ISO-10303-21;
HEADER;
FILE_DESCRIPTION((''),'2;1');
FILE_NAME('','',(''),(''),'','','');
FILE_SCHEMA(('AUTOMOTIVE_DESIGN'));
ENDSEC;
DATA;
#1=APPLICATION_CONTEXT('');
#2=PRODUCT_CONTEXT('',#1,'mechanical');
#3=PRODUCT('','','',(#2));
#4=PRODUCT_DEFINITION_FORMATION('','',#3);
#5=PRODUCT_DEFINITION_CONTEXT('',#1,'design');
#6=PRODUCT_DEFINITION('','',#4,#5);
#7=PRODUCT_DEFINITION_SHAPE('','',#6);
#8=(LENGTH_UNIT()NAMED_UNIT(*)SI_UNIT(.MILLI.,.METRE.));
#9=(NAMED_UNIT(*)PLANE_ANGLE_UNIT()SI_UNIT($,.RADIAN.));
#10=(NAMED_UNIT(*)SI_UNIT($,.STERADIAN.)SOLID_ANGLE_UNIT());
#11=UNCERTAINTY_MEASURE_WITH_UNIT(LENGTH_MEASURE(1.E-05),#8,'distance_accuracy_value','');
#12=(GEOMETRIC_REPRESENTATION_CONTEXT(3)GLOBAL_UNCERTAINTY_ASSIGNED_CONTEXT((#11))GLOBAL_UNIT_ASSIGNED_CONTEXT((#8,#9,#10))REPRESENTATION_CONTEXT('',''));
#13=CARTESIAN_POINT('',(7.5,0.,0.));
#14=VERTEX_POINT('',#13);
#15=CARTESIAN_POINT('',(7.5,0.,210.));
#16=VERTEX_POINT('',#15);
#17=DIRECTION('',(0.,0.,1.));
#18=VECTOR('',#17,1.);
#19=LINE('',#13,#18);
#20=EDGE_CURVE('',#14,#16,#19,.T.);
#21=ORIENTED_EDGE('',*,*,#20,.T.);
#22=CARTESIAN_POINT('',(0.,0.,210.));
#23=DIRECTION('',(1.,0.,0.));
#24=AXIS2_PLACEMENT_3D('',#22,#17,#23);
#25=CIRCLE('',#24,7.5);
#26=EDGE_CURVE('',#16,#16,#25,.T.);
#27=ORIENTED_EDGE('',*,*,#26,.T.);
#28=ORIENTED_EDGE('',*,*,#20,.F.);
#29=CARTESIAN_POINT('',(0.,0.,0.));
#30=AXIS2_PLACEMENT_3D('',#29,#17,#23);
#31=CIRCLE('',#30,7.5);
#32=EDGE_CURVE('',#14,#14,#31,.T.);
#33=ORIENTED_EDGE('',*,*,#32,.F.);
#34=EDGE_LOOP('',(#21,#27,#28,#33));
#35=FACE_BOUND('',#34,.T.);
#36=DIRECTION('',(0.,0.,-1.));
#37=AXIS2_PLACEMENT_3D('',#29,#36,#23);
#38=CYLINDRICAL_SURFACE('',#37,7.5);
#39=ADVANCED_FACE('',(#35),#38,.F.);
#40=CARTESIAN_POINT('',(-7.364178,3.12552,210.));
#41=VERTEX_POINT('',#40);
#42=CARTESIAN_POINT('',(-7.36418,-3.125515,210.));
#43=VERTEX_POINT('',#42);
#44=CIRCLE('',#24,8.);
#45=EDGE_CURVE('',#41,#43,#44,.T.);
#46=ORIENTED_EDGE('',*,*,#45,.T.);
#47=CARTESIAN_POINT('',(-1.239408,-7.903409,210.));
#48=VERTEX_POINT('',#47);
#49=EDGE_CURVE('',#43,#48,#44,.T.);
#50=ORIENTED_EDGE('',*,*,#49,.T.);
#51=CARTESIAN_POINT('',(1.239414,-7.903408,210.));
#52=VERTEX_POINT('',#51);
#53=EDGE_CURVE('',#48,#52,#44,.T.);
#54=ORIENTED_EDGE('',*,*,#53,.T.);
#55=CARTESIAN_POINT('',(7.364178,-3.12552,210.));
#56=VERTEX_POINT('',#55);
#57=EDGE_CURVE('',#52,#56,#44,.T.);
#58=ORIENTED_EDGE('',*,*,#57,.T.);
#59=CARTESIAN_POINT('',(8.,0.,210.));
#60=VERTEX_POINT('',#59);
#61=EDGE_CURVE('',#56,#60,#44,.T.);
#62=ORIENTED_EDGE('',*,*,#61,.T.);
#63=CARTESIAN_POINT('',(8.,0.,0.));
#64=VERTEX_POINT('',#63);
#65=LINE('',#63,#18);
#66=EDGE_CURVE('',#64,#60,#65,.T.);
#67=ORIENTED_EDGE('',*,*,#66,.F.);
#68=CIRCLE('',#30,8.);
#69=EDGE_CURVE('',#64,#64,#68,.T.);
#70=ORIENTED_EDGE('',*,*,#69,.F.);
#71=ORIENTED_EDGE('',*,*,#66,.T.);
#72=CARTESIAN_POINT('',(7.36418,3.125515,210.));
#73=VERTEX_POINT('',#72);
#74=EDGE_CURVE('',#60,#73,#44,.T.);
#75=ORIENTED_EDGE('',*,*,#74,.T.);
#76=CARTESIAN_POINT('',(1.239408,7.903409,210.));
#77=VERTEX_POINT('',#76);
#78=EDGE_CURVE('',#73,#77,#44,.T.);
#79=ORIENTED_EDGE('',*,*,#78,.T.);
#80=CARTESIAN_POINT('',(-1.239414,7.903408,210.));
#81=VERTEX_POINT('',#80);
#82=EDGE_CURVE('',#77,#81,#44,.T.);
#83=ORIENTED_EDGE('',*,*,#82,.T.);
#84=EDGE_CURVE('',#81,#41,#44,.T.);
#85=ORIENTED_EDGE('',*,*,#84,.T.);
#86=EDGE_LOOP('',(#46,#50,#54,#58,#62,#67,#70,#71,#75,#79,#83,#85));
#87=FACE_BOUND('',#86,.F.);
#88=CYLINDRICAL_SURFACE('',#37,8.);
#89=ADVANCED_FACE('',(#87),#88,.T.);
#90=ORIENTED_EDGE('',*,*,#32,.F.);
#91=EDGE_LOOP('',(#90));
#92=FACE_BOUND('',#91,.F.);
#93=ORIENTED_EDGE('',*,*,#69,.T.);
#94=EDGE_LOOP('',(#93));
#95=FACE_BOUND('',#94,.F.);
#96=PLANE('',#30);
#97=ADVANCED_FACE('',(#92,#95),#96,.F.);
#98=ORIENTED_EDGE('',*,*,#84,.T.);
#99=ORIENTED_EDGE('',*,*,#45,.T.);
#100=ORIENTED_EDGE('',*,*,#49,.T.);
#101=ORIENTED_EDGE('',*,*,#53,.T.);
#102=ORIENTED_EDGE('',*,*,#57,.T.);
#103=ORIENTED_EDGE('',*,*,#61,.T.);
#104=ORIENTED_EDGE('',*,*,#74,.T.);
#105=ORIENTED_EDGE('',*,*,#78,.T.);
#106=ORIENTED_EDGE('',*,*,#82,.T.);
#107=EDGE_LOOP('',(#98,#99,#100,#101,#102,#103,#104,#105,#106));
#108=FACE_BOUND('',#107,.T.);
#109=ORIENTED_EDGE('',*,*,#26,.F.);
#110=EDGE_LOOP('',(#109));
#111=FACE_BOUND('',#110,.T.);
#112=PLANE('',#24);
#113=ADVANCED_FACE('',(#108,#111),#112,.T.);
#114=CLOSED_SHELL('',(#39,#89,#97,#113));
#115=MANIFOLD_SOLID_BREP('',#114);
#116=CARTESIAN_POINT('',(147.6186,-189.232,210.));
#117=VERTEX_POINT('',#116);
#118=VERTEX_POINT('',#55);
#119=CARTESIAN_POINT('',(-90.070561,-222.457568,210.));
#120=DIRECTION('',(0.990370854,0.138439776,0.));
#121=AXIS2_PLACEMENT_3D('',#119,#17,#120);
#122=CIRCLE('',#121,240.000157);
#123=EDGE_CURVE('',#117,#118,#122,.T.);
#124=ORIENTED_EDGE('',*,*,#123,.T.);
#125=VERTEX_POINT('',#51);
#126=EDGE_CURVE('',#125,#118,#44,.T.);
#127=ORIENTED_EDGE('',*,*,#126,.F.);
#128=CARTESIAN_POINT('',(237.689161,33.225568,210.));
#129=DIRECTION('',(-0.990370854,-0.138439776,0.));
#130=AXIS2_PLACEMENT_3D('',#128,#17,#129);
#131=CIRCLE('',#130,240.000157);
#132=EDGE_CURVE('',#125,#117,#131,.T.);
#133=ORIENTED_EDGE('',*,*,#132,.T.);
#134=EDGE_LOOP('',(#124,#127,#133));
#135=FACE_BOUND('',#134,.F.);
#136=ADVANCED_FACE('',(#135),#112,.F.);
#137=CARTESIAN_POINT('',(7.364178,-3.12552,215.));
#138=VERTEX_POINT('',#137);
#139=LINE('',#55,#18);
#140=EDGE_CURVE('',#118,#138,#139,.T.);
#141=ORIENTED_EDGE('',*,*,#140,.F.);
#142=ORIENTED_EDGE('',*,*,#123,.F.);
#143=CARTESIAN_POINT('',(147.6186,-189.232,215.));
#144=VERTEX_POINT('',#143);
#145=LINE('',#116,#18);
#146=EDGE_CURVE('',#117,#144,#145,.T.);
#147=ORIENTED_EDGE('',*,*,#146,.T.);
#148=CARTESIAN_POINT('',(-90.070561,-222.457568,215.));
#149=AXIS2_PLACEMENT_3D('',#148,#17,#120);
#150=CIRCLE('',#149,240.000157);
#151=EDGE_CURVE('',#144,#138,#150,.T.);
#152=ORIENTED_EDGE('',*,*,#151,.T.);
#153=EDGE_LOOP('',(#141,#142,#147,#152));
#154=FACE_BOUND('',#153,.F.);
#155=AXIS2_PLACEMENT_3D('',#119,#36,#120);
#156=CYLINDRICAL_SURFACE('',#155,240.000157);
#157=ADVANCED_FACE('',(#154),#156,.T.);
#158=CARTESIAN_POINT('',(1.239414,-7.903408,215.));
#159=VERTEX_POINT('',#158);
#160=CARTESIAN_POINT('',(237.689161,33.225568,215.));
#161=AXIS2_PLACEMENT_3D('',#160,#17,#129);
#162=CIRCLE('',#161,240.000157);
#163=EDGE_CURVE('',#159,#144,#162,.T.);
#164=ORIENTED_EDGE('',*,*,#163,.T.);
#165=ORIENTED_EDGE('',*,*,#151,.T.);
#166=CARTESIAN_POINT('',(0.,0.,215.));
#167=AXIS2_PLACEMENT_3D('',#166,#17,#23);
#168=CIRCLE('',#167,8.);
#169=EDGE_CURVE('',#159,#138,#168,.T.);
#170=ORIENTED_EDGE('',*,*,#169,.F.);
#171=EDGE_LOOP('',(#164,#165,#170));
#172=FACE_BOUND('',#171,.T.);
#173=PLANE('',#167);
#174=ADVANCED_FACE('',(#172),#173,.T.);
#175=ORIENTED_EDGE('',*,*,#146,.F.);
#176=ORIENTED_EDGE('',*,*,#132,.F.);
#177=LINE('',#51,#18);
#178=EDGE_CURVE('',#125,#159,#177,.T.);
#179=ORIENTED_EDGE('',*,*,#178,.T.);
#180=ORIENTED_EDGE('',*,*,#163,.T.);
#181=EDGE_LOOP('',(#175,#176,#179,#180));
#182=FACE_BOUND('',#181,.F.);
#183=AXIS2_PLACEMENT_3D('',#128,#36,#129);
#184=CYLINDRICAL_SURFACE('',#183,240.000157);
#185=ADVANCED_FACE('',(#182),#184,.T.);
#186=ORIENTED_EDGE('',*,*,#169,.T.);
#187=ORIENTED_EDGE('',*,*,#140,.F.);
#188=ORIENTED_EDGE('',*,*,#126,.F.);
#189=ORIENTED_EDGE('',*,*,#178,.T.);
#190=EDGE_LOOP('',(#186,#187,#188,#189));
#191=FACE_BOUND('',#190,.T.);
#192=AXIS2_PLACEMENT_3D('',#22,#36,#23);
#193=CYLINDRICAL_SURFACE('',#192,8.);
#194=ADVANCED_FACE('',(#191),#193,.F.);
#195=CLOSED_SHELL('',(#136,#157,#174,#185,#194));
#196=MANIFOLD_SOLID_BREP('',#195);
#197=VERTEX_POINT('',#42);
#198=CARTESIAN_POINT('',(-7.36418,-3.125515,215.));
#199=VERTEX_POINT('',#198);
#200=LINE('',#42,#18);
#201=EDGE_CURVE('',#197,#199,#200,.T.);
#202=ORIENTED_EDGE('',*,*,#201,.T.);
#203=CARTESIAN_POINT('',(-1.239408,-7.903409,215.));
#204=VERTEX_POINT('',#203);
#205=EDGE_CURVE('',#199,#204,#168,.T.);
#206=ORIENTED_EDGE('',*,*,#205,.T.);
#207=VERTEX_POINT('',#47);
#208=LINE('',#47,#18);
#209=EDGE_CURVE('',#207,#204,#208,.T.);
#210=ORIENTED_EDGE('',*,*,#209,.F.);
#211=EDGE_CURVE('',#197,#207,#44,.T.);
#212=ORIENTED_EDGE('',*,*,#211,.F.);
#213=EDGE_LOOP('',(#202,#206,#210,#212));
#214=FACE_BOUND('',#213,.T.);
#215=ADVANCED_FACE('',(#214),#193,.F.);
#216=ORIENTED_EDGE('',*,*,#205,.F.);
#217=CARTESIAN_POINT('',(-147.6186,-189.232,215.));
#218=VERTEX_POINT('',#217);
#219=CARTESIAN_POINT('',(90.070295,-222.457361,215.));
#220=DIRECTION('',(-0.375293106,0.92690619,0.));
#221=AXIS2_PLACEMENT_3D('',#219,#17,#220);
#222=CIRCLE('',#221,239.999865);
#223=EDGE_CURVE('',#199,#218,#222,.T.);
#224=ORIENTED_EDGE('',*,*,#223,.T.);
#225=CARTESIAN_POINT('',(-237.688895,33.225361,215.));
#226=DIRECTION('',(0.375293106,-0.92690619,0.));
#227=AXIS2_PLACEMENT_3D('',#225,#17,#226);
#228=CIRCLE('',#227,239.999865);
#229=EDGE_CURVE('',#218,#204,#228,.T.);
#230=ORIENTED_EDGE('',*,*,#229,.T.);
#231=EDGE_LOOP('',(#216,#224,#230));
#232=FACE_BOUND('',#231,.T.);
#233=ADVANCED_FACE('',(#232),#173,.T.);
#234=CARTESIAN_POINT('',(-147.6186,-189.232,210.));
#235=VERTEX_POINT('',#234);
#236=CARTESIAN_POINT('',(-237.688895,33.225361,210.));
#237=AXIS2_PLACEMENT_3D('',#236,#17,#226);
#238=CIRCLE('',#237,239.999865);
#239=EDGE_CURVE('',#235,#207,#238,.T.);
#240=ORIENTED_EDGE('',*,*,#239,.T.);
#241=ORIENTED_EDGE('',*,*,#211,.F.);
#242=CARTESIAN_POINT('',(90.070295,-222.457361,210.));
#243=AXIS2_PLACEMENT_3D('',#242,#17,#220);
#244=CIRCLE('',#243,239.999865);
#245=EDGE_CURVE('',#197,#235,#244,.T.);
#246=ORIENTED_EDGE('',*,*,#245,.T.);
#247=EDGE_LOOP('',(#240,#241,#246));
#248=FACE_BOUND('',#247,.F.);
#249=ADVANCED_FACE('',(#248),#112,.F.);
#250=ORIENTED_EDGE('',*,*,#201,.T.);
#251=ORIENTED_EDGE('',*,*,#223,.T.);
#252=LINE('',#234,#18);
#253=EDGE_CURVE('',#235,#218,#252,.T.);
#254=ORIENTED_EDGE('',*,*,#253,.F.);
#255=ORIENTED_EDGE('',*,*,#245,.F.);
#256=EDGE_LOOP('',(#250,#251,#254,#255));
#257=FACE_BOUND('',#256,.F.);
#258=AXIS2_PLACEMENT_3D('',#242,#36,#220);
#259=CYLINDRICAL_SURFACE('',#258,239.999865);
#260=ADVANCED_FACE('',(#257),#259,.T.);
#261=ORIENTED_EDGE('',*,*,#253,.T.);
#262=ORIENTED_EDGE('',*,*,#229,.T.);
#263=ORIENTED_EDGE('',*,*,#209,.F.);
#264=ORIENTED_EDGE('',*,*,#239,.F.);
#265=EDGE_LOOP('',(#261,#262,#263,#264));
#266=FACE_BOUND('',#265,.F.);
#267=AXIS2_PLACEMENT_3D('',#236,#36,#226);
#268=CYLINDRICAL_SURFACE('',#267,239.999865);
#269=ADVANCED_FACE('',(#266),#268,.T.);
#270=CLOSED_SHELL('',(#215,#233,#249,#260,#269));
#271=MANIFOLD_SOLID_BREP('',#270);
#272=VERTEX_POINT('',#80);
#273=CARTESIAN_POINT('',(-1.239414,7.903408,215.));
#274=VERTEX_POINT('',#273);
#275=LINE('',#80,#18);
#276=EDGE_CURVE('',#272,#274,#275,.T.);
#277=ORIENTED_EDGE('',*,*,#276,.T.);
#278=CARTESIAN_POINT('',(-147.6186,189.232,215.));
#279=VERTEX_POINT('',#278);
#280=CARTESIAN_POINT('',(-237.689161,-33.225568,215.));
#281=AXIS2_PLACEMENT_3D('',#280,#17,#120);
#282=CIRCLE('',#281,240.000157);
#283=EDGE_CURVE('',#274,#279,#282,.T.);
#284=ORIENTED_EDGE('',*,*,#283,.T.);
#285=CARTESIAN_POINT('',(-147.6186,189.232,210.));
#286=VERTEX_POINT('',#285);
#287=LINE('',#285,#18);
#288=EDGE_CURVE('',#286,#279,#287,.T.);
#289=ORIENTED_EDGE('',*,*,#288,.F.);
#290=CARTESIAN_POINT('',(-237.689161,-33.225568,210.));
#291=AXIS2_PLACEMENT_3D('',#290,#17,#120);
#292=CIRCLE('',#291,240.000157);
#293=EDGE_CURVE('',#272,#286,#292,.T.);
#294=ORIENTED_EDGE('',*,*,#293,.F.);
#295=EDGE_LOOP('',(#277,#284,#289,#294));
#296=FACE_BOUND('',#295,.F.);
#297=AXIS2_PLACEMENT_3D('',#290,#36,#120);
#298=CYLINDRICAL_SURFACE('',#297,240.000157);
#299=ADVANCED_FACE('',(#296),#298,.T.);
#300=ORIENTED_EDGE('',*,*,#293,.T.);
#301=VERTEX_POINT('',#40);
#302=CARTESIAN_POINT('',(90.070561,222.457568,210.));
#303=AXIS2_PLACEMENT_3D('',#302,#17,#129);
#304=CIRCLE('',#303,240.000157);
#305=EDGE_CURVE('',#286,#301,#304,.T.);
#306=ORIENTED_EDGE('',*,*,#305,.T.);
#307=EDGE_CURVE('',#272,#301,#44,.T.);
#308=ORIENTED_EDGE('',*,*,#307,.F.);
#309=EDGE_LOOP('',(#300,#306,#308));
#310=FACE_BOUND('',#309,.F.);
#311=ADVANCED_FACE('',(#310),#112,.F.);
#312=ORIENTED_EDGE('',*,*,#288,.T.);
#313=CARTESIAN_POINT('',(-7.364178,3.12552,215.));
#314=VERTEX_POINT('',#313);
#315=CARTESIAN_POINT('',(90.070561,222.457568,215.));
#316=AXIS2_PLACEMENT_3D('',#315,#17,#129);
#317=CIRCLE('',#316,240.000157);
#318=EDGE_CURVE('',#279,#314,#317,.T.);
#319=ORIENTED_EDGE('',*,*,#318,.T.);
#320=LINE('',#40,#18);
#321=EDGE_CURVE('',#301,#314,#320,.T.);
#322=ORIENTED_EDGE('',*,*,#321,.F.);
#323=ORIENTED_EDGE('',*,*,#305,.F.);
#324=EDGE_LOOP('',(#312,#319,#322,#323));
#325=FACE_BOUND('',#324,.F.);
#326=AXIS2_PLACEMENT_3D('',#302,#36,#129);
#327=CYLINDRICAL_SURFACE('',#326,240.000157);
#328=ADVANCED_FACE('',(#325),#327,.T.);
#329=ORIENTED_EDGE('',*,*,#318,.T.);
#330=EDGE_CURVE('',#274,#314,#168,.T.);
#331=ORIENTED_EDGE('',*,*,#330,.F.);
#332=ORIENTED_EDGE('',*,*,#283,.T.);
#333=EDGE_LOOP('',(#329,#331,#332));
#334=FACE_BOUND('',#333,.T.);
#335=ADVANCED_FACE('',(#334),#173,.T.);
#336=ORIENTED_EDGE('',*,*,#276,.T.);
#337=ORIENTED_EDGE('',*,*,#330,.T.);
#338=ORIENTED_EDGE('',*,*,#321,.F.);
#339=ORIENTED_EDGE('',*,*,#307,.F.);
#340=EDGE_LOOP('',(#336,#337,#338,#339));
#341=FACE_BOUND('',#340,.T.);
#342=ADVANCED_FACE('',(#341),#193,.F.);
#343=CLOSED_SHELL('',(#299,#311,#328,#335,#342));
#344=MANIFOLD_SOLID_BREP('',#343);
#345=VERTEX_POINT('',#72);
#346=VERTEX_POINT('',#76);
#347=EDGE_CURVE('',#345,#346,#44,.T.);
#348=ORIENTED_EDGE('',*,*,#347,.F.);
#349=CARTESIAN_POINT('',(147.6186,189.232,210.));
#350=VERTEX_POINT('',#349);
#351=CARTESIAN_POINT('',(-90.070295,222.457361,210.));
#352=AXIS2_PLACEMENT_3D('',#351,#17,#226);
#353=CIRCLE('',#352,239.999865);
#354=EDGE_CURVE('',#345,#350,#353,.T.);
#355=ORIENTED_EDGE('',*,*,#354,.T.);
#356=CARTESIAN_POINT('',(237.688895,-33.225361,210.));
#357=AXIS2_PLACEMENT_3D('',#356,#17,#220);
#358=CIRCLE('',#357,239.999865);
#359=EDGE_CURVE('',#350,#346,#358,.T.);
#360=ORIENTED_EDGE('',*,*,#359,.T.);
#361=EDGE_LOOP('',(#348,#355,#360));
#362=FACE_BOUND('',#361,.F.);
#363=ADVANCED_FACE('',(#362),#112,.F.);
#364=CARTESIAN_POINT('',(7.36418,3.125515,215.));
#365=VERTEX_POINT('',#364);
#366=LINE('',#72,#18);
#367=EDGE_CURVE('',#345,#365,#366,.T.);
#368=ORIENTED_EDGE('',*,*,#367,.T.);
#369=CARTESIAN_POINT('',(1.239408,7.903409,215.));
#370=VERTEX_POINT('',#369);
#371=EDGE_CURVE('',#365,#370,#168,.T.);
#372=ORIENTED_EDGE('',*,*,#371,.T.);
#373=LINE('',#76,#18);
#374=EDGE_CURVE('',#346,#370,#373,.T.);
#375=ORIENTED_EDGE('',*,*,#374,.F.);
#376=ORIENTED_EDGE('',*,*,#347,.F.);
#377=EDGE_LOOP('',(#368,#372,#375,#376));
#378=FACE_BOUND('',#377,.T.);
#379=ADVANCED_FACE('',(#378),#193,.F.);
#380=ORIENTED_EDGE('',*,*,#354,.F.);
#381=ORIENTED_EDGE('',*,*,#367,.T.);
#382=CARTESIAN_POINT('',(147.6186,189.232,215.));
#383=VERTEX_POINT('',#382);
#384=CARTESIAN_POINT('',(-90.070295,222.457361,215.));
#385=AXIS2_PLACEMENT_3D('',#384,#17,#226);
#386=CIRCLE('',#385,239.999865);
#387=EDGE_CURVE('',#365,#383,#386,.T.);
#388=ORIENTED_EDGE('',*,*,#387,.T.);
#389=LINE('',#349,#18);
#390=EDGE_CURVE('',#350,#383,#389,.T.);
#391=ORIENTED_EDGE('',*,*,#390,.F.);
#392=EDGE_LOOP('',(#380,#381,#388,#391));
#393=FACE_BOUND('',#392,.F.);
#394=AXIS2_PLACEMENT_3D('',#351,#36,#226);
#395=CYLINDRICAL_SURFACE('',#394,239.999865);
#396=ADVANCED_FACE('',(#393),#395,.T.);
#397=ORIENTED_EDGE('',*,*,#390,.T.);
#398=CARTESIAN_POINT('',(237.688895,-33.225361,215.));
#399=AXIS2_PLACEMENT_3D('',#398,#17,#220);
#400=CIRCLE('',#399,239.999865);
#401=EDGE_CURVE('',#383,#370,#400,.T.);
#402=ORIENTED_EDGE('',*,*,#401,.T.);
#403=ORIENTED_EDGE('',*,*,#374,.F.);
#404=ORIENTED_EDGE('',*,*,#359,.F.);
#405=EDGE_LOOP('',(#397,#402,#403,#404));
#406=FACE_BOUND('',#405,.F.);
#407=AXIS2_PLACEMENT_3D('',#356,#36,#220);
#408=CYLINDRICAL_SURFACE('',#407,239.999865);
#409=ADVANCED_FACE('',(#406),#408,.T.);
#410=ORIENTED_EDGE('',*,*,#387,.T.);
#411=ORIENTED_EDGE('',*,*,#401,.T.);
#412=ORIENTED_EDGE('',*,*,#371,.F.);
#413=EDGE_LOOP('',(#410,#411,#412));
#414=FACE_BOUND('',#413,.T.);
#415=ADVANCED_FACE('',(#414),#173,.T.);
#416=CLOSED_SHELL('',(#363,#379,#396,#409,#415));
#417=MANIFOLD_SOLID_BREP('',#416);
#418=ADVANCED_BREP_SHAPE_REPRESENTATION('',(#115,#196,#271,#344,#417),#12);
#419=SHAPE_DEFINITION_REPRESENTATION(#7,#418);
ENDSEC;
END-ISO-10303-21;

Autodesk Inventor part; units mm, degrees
ref_plane "YZ Plane" through (0, 0, 0) normal (1, 0, 0) x (0, 1, 0)
ref_plane "XZ Plane" through (0, 0, 0) normal (0, 1, 0) x (-1, 0, 0)
ref_plane "XY Plane" through (0, 0, 0) normal (0, 0, 1) x (1, 0, 0)
sketch "Sketch1" plane through (0, 0, 0) normal (0, 0, 1) x (1, 0, 0)
  circle A0 centre (0, 0) radius 7.5
  circle A1 centre (0, 0) radius 8
  dimension "d0" = 15
  dimension "d1" = 16
extrude "Extrusion1" add sketch "Sketch1" along normal blind 210
sketch "Sketch2" plane through (0, 0, 210) normal (0, 0, 1) x (1, 0, 0)
  circle A0 centre (0, 0) radius 8 projected
  arc A1 (147.6186, 189.232) -> (0, 0) centre (237.689, -33.2255) ccw
  arc A2 (0, 0) -> (147.6186, 189.232) centre (-90.0704, 222.4575) ccw
  line L0 (0, 102.2554) -> (0, 81.5536) construction
  arc A3 (0, 0) -> (-147.6186, 189.232) centre (-237.689, -33.2255) ccw
  arc A4 (-147.6186, 189.232) -> (0, 0) centre (90.0704, 222.4575) ccw
  line L1 (-25.0323, 0) -> (60.2591, 0) construction
  arc A5 (0, 0) -> (147.6186, -189.232) centre (237.689, 33.2255) ccw
  arc A6 (147.6186, -189.232) -> (0, 0) centre (-90.0704, -222.4575) ccw
  arc A7 (-147.6186, -189.232) -> (0, 0) centre (-237.689, 33.2255) ccw
  arc A8 (0, 0) -> (-147.6186, -189.232) centre (90.0704, -222.4575) ccw
  point P0 (-7.3642, -3.1255)
  point P1 (-1.2394, -7.9034)
  point P2 (7.3642, -3.1255)
  point P3 (1.2394, -7.9034)
  point P4 (7.3642, 3.1255)
  point P5 (1.2394, 7.9034)
  point P6 (-7.3642, 3.1255)
  point P7 (-1.2394, 7.9034)
  dimension "d17" = 240
  dimension "d18" = 240
  dimension "d19" = 240
extrude "Extrusion3" add sketch "Sketch2" along normal blind 5 contours A0 A1 A2 | A6 A5 A0 | A0 A4 A3 | A7 A8 A0 picked at (63.8091, 98.9231) picked at (80.4206, -85.9646) picked at (-80.4206, 85.9646) picked at (-63.8091, -98.9231)
properties part number "ranpro"
